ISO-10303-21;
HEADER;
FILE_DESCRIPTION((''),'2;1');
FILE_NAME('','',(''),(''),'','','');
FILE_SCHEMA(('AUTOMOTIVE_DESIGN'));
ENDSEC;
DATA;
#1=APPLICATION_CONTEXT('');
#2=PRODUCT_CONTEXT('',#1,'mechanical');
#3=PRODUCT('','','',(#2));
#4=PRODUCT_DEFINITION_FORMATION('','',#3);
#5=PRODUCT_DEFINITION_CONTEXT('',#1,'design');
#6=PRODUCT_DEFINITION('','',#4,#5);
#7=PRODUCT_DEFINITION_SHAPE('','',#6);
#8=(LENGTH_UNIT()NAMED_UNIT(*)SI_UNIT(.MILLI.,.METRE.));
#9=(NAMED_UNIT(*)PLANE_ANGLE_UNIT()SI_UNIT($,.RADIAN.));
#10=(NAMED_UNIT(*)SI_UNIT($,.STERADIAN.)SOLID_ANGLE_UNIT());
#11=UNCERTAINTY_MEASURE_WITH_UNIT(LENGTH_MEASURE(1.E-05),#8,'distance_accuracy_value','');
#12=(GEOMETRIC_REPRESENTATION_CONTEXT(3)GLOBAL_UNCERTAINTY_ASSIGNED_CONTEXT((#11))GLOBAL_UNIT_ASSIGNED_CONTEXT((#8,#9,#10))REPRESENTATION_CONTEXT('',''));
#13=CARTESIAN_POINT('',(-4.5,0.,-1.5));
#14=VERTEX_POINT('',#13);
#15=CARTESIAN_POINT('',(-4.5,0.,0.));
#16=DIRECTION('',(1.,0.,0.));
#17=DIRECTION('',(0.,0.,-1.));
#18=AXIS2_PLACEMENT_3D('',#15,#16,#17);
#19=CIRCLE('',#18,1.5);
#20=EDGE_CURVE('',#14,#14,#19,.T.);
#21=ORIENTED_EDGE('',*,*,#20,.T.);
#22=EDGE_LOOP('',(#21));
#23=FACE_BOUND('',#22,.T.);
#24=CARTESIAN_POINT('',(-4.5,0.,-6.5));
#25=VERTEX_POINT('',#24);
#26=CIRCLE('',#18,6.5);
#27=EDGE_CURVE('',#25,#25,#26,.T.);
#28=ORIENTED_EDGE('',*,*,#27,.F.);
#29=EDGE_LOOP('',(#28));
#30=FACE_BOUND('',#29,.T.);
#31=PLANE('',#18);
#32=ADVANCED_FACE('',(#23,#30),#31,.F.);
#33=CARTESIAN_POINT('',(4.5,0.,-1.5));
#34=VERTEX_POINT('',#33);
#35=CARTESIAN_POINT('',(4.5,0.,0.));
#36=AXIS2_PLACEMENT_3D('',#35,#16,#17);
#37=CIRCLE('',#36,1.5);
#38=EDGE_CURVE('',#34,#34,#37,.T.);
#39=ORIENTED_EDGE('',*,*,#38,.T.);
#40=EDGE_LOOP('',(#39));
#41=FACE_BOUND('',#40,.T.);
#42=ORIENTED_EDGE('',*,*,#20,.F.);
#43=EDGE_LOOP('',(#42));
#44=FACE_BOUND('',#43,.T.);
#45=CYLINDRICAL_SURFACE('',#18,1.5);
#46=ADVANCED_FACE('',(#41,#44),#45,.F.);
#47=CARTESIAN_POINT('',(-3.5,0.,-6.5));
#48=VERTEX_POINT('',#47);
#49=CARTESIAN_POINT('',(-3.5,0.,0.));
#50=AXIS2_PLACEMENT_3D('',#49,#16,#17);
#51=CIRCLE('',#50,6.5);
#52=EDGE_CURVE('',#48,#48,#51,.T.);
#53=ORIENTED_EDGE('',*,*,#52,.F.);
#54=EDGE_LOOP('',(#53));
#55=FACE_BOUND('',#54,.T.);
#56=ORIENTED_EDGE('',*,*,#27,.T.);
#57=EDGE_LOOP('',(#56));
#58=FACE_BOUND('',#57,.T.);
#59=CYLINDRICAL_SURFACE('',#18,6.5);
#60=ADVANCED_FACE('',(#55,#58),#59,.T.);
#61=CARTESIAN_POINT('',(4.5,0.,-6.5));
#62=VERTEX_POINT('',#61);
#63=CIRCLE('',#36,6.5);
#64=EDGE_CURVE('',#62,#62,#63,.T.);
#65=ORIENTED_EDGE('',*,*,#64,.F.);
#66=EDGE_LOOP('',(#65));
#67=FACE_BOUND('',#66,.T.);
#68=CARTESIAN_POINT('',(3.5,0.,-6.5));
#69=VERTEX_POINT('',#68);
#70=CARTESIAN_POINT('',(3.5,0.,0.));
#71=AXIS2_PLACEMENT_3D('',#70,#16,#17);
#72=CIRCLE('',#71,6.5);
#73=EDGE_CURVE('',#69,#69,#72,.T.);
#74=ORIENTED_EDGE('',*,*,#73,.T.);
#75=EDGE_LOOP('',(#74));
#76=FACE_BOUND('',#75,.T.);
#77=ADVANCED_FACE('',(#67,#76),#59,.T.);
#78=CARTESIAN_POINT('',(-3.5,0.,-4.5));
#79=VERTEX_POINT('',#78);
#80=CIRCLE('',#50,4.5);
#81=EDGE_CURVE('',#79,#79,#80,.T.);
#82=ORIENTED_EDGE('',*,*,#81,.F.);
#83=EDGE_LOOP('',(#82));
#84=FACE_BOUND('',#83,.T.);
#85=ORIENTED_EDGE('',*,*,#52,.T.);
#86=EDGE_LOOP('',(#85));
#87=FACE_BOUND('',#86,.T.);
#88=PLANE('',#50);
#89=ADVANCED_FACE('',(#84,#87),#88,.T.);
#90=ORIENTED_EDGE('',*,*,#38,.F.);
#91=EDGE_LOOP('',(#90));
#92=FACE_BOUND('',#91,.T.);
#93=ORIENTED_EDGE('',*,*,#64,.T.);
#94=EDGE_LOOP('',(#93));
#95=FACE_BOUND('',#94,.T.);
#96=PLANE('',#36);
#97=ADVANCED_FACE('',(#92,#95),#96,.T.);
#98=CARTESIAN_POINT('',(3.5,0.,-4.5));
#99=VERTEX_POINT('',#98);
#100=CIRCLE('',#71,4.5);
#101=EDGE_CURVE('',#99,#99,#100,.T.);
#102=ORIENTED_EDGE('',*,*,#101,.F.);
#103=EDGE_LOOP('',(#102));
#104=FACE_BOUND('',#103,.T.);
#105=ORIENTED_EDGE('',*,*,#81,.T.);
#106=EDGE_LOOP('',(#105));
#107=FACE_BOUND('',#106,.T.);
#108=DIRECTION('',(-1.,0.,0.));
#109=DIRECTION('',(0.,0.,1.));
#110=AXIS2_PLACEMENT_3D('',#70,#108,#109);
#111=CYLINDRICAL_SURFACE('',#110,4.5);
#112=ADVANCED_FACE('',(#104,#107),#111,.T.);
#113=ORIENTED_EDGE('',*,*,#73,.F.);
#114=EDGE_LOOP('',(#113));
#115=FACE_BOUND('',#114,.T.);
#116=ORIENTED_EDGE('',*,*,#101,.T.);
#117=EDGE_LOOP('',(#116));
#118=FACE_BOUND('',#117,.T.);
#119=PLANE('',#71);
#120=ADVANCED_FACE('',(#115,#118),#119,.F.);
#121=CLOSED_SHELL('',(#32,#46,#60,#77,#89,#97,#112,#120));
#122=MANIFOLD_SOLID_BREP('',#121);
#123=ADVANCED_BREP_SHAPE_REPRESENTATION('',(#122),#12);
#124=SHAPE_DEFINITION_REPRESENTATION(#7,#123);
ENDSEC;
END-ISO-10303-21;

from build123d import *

# Parameters (mm, degrees)
BOSS_EXTRUDE1_DEPTH      = 4.5
BOSS_EXTRUDE1_DEPTH_BACK = 4.5
SKETCH1_R                = 6.5
SKETCH1_R_2              = 1.5
CUT_EXTRUDE1_DEPTH       = 3.5
CUT_EXTRUDE1_DEPTH_BACK  = 3.5
SKETCH1_3_R              = 6.5
SKETCH1_3_R_2            = 4.5


with BuildPart() as part:
    # Sketch1 → Boss-Extrude1 (new, two sides: drawn at the far end of the back side and taken through both)
    with BuildSketch(Plane(origin=(0, 0, 0), x_dir=(0, 0, -1), z_dir=(1, 0, 0)).offset(-BOSS_EXTRUDE1_DEPTH_BACK)):
        Circle(SKETCH1_R)
        Circle(SKETCH1_R_2, mode=Mode.SUBTRACT)
    extrude(amount=BOSS_EXTRUDE1_DEPTH + BOSS_EXTRUDE1_DEPTH_BACK)

    # Sketch1<3> → Cut-Extrude1 (cut, two sides: drawn at the far end of the back side and taken through both)
    with BuildSketch(Plane(origin=(0, 0, 0), x_dir=(0, 0, -1), z_dir=(1, 0, 0)).offset(-CUT_EXTRUDE1_DEPTH_BACK)):
        Circle(SKETCH1_3_R)
        Circle(SKETCH1_3_R_2, mode=Mode.SUBTRACT)
    extrude(amount=CUT_EXTRUDE1_DEPTH + CUT_EXTRUDE1_DEPTH_BACK, mode=Mode.SUBTRACT)


solid = part.part
